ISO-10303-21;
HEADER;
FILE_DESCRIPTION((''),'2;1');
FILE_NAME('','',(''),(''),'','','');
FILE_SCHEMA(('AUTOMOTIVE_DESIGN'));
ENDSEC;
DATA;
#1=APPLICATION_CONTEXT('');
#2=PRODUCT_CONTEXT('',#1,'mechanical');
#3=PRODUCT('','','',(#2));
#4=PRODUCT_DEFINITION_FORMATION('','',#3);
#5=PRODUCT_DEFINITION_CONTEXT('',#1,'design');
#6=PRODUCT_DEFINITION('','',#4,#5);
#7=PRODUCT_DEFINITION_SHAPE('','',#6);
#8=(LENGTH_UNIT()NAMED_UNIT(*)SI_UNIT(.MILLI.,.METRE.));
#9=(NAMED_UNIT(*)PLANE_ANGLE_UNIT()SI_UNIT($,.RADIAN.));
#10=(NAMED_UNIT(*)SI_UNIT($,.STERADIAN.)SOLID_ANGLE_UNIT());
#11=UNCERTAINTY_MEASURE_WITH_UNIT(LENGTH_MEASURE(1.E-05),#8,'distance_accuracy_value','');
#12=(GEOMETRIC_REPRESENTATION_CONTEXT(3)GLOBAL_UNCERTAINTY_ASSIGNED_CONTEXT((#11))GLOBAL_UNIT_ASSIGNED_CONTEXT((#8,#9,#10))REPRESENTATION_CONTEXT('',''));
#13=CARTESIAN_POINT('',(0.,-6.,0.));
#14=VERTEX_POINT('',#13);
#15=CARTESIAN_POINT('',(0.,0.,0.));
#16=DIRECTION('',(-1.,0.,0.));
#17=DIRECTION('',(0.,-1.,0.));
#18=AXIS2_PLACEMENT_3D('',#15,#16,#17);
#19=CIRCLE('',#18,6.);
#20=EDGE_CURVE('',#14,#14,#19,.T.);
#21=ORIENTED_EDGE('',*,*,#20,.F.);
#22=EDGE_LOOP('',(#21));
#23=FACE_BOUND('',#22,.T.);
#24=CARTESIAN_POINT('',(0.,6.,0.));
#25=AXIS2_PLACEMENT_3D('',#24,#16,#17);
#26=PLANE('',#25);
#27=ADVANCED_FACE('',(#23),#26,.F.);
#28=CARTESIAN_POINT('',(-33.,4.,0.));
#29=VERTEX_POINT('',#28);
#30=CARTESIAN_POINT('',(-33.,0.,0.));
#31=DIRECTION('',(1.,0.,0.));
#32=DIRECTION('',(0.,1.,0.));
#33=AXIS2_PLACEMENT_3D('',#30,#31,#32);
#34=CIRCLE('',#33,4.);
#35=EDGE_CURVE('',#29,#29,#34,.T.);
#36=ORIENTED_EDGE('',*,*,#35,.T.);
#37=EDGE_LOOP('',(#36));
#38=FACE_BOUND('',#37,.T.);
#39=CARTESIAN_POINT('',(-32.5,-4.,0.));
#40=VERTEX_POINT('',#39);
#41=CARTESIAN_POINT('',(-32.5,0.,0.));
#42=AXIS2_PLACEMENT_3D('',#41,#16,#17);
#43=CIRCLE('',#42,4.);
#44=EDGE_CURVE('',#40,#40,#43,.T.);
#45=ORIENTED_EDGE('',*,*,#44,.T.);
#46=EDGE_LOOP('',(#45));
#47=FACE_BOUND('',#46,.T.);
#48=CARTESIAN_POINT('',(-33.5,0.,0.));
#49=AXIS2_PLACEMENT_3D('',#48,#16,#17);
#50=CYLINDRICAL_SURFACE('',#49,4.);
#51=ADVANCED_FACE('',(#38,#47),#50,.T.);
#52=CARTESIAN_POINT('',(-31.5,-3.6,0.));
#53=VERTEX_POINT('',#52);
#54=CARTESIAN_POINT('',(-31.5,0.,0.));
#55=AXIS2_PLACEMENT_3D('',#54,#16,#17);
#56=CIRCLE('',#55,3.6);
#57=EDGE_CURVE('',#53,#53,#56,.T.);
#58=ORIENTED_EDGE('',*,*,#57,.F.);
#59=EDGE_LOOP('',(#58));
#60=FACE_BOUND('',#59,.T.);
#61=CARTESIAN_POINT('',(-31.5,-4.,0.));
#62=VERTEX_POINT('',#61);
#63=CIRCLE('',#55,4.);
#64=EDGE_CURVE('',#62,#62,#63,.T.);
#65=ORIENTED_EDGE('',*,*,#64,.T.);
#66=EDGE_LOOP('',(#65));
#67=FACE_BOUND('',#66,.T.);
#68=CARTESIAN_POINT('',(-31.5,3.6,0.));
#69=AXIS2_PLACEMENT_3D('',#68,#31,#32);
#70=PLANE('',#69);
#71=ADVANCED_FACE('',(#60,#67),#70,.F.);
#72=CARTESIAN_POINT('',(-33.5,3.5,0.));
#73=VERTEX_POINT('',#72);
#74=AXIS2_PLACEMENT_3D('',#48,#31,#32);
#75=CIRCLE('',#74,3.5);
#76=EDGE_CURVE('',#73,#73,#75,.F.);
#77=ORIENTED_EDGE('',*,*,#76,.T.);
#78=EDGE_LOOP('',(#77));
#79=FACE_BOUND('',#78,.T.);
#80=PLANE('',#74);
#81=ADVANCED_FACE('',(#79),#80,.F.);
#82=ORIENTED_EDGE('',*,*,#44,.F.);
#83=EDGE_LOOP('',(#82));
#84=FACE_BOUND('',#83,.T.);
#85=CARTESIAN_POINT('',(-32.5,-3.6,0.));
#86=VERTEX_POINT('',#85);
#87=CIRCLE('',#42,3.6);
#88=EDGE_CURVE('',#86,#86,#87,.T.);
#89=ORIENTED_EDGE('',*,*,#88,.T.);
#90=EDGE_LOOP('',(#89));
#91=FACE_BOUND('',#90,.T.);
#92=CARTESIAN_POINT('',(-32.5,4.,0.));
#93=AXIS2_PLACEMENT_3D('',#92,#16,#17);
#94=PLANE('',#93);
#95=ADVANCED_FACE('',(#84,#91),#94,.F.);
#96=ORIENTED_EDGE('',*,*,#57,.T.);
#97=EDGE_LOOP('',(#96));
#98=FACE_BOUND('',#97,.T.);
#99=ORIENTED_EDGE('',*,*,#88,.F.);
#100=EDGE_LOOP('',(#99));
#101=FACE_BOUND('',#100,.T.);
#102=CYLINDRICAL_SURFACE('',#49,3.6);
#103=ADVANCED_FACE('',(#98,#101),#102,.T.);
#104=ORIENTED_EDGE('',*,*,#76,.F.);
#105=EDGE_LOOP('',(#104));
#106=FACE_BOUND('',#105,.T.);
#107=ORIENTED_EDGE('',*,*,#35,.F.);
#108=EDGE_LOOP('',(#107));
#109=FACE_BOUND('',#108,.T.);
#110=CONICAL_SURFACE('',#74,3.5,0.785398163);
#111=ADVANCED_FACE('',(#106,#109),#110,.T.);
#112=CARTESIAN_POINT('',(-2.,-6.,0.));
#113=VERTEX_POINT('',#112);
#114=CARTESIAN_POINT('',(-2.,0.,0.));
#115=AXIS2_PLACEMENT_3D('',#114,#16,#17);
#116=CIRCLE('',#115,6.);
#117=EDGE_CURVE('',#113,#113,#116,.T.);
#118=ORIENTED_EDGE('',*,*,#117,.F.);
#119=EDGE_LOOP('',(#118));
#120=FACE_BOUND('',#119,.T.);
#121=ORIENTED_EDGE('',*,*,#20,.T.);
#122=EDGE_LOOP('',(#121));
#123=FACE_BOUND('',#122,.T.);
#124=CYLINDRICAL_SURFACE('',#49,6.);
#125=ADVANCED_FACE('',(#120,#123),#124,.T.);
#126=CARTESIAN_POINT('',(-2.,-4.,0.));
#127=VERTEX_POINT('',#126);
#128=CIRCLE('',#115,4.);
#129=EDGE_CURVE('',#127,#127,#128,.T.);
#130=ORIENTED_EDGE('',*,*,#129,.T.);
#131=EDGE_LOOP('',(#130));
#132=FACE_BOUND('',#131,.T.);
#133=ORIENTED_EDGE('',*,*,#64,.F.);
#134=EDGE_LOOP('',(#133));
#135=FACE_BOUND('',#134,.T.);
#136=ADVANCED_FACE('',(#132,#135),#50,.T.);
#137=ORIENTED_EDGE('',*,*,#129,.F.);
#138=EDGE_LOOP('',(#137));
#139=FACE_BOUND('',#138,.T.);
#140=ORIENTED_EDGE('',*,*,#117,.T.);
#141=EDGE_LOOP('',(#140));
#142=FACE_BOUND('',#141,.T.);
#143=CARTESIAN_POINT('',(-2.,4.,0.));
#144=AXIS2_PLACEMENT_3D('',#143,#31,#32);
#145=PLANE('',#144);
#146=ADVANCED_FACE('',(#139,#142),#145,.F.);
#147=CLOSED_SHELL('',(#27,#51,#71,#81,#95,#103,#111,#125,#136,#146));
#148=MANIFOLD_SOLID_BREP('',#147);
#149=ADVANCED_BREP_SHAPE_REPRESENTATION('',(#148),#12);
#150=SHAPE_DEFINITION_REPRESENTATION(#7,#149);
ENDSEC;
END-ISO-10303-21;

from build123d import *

# Parameters (mm, degrees)
CHAMFER_1_SIZE = 0.5


with BuildPart() as part:
    # Эскиз1 → Повернуть1 (revolve)
    with BuildSketch(Plane.XY, mode=Mode.PRIVATE) as revolve_1_sk:
        Polygon((0, 0), (-33.5, 0), (-33.5, 4), (-32.5, 4), (-32.5, 3.6), (-31.5, 3.6), (-31.5, 4), (-2, 4), (-2, 6), (0, 6), align=None)
    revolve(revolve_1_sk.sketch.rotate(Axis((-33.5, 0, 0), (1, 0, 0)), 180), axis=Axis((-33.5, 0, 0), (1, 0, 0)))

    # Фаска1
    chamfer_1_edges = [part.edges().sort_by_distance(p)[0] for p in [
        (-33.5, 4, 0),
    ]]
    chamfer(chamfer_1_edges, length=CHAMFER_1_SIZE)


solid = part.part
